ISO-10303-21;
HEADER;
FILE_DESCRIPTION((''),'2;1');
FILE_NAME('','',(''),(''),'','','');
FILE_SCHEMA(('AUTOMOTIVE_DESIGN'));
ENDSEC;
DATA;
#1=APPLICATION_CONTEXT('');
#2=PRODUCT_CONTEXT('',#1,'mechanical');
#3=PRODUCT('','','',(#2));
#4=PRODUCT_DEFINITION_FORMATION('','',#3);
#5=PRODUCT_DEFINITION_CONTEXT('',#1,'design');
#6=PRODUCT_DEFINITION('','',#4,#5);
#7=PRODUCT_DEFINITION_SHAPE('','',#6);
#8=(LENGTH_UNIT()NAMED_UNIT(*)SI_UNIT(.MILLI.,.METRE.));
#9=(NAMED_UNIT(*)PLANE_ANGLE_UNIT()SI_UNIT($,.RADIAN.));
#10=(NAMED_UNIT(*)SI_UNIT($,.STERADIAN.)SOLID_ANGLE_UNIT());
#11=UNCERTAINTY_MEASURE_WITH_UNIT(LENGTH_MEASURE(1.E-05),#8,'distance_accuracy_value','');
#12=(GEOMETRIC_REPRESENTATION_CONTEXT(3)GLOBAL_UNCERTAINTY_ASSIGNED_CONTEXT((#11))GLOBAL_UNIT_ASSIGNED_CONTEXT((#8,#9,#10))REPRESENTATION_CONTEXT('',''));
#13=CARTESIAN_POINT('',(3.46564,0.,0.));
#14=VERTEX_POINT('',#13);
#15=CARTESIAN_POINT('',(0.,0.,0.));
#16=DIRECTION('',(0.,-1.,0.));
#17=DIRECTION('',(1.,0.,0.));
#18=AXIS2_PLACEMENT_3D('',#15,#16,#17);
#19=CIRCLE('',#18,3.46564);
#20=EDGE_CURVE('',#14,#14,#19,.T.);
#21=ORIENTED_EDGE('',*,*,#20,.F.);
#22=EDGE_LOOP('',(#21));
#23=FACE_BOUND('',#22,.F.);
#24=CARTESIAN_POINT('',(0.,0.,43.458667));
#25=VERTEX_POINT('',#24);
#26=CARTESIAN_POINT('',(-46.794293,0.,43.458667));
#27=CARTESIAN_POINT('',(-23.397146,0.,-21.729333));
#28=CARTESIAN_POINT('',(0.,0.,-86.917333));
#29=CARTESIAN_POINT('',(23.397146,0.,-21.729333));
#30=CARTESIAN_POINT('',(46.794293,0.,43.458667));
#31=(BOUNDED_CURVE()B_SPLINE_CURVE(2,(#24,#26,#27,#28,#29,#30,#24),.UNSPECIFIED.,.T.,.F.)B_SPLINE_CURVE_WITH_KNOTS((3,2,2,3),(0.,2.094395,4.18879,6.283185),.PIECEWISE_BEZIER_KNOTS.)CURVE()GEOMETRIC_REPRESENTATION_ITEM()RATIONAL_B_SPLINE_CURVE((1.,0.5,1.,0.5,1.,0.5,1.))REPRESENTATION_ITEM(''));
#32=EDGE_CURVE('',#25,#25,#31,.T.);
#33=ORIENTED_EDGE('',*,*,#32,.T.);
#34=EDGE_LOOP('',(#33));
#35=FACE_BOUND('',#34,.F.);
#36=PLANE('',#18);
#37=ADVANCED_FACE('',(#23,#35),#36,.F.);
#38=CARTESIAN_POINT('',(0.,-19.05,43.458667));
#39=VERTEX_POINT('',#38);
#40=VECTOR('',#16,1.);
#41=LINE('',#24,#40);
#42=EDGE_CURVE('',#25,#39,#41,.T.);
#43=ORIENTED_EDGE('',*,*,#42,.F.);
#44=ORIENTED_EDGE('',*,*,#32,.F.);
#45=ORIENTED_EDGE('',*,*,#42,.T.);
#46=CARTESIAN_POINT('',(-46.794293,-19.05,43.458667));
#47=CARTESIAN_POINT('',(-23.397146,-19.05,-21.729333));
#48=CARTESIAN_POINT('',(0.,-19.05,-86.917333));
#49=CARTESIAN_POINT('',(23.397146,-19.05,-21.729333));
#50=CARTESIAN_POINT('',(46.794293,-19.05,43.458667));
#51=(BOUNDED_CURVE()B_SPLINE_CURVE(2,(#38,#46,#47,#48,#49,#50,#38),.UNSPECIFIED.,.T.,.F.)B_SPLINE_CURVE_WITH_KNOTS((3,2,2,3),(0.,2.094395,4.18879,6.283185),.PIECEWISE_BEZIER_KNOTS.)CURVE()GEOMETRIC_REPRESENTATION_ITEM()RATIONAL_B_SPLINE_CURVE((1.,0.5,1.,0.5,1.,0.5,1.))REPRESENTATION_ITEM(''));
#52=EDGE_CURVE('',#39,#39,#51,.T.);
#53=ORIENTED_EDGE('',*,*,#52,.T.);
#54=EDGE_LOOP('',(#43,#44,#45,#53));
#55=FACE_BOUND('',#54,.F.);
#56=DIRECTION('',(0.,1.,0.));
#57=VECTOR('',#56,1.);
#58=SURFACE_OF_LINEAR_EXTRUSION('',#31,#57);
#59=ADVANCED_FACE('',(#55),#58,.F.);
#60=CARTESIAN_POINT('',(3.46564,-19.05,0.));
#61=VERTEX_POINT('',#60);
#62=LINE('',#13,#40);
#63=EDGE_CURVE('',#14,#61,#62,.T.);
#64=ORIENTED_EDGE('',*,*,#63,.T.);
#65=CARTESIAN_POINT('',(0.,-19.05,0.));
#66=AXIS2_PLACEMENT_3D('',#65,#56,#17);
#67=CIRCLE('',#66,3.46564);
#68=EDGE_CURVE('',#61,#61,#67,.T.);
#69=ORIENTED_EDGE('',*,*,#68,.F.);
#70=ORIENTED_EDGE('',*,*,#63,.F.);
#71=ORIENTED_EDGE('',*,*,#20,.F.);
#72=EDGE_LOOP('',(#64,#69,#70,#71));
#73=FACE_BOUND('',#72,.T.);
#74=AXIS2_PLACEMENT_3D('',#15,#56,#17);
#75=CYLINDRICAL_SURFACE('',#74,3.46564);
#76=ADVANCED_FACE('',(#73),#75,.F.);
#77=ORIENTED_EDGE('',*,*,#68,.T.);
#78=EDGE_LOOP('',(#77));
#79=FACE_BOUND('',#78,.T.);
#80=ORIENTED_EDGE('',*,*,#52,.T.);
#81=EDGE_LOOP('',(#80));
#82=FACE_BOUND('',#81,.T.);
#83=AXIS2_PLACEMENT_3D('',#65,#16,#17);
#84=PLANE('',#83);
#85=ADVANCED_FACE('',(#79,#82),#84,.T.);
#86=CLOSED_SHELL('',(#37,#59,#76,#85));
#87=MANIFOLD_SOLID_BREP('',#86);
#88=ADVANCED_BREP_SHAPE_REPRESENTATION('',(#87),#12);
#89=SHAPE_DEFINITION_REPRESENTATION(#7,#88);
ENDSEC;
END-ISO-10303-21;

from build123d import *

# Parameters (mm, degrees)
F1_DEPTH = 19.05
F2_R     = 3.46564
F3_DEPTH = 25.4


with BuildPart() as f1:
    # F0 (on Front) → F1 (new body)
    with BuildSketch(Plane.XZ):
        with BuildLine():
            add(Edge.make_bspline(
                [(0, 43.458667), (-46.794293, 43.458667), (-23.397146, -21.729333), (0, -86.917333), (23.397146, -21.729333), (46.794293, 43.458667), (0, 43.458667)],
                knots=[0, 0, 0, 2.094395, 2.094395, 4.18879, 4.18879, 6.283185, 6.283185, 6.283185], degree=2, weights=[1, 0.5, 1, 0.5, 1, 0.5, 1]))
        make_face()
    extrude(amount=F1_DEPTH)

    # F2 (on Front) → F3 (cut)
    with BuildSketch(Plane.XZ):
        Circle(F2_R)
    extrude(amount=F3_DEPTH, mode=Mode.SUBTRACT)


solid = f1.part
